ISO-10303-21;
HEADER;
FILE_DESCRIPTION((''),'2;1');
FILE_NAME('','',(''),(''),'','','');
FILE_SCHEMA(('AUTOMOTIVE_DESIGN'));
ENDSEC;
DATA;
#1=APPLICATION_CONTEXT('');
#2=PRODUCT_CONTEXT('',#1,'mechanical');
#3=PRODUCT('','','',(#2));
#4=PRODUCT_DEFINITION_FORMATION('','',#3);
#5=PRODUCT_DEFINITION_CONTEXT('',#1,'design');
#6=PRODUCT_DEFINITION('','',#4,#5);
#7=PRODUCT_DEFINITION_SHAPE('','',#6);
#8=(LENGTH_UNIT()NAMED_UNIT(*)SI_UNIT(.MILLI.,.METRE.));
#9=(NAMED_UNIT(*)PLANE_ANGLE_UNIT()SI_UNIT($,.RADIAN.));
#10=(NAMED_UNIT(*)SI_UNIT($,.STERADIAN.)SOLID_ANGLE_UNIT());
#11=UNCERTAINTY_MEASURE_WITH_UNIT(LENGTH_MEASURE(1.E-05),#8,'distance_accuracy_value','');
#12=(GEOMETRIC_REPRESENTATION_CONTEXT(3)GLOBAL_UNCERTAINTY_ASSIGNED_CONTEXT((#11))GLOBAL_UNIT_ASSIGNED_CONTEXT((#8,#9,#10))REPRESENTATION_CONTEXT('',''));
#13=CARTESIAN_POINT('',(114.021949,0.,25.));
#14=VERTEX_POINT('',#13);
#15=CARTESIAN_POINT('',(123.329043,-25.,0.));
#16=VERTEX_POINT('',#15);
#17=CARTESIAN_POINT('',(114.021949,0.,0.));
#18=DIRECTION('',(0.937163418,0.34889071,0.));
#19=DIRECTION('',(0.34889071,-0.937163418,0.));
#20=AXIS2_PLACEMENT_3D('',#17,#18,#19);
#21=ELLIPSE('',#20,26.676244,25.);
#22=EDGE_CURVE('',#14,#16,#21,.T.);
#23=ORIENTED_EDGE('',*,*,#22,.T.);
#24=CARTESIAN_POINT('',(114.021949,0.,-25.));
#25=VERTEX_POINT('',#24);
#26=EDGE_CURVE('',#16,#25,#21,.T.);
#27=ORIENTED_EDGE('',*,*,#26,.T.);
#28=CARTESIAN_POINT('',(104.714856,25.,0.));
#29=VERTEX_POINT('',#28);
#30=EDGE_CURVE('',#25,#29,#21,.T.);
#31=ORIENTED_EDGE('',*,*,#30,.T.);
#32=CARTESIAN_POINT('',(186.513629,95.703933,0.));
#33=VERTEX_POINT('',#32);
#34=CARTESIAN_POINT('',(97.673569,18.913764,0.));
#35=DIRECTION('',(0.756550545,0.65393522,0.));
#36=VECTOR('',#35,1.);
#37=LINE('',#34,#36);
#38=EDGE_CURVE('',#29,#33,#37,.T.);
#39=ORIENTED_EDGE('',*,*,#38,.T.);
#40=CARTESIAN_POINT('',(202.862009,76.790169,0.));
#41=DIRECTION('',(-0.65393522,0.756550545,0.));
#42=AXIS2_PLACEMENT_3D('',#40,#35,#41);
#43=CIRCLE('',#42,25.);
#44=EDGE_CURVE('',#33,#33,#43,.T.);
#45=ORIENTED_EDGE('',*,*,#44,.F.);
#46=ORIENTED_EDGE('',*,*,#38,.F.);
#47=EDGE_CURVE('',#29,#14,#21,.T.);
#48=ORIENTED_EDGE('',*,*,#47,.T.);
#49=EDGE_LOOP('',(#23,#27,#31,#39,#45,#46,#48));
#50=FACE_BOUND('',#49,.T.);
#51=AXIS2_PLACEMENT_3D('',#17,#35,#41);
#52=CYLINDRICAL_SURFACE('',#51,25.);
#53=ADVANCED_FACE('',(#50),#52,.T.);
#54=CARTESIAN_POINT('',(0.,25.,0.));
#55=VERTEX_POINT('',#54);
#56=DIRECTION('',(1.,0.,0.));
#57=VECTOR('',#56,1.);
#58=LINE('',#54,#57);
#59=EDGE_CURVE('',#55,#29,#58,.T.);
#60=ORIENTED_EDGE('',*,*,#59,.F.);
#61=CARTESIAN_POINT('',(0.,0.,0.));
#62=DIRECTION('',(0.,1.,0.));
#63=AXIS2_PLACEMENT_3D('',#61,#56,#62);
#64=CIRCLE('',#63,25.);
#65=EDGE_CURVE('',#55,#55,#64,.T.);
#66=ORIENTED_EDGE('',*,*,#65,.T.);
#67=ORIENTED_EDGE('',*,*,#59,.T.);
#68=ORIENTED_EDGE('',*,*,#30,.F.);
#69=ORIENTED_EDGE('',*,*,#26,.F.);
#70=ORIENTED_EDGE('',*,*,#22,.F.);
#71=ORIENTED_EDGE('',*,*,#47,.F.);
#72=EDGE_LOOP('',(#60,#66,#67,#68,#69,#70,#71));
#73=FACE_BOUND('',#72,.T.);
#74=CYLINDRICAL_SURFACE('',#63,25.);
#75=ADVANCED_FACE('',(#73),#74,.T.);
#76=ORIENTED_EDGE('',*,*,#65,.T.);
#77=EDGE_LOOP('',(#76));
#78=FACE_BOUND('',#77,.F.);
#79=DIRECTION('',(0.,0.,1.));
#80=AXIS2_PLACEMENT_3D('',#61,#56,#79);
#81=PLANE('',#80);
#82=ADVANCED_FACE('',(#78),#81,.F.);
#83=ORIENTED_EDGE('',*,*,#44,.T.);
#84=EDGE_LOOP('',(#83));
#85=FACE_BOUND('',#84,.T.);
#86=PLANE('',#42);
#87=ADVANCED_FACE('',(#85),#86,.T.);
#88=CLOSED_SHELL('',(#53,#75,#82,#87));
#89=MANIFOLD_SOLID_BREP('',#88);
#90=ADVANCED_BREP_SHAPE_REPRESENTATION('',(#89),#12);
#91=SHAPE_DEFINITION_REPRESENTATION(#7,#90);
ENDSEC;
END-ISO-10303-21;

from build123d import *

# Parameters (mm, degrees)
F1_R = 25


with BuildPart() as f2:
    # F2: sweep along a path in F0
    with BuildLine(Plane.XY) as f2_path:
        Line((0, 0), (114.02194947, 0))
        Line((114.02194947, 0), (202.8620094061, 76.7901688814))
    # F1 (on Right) → F2 (sweep)
    with BuildSketch(Plane.YZ):
        Circle(F1_R)
    sweep(path=f2_path.line, transition=Transition.RIGHT)


solid = f2.part
